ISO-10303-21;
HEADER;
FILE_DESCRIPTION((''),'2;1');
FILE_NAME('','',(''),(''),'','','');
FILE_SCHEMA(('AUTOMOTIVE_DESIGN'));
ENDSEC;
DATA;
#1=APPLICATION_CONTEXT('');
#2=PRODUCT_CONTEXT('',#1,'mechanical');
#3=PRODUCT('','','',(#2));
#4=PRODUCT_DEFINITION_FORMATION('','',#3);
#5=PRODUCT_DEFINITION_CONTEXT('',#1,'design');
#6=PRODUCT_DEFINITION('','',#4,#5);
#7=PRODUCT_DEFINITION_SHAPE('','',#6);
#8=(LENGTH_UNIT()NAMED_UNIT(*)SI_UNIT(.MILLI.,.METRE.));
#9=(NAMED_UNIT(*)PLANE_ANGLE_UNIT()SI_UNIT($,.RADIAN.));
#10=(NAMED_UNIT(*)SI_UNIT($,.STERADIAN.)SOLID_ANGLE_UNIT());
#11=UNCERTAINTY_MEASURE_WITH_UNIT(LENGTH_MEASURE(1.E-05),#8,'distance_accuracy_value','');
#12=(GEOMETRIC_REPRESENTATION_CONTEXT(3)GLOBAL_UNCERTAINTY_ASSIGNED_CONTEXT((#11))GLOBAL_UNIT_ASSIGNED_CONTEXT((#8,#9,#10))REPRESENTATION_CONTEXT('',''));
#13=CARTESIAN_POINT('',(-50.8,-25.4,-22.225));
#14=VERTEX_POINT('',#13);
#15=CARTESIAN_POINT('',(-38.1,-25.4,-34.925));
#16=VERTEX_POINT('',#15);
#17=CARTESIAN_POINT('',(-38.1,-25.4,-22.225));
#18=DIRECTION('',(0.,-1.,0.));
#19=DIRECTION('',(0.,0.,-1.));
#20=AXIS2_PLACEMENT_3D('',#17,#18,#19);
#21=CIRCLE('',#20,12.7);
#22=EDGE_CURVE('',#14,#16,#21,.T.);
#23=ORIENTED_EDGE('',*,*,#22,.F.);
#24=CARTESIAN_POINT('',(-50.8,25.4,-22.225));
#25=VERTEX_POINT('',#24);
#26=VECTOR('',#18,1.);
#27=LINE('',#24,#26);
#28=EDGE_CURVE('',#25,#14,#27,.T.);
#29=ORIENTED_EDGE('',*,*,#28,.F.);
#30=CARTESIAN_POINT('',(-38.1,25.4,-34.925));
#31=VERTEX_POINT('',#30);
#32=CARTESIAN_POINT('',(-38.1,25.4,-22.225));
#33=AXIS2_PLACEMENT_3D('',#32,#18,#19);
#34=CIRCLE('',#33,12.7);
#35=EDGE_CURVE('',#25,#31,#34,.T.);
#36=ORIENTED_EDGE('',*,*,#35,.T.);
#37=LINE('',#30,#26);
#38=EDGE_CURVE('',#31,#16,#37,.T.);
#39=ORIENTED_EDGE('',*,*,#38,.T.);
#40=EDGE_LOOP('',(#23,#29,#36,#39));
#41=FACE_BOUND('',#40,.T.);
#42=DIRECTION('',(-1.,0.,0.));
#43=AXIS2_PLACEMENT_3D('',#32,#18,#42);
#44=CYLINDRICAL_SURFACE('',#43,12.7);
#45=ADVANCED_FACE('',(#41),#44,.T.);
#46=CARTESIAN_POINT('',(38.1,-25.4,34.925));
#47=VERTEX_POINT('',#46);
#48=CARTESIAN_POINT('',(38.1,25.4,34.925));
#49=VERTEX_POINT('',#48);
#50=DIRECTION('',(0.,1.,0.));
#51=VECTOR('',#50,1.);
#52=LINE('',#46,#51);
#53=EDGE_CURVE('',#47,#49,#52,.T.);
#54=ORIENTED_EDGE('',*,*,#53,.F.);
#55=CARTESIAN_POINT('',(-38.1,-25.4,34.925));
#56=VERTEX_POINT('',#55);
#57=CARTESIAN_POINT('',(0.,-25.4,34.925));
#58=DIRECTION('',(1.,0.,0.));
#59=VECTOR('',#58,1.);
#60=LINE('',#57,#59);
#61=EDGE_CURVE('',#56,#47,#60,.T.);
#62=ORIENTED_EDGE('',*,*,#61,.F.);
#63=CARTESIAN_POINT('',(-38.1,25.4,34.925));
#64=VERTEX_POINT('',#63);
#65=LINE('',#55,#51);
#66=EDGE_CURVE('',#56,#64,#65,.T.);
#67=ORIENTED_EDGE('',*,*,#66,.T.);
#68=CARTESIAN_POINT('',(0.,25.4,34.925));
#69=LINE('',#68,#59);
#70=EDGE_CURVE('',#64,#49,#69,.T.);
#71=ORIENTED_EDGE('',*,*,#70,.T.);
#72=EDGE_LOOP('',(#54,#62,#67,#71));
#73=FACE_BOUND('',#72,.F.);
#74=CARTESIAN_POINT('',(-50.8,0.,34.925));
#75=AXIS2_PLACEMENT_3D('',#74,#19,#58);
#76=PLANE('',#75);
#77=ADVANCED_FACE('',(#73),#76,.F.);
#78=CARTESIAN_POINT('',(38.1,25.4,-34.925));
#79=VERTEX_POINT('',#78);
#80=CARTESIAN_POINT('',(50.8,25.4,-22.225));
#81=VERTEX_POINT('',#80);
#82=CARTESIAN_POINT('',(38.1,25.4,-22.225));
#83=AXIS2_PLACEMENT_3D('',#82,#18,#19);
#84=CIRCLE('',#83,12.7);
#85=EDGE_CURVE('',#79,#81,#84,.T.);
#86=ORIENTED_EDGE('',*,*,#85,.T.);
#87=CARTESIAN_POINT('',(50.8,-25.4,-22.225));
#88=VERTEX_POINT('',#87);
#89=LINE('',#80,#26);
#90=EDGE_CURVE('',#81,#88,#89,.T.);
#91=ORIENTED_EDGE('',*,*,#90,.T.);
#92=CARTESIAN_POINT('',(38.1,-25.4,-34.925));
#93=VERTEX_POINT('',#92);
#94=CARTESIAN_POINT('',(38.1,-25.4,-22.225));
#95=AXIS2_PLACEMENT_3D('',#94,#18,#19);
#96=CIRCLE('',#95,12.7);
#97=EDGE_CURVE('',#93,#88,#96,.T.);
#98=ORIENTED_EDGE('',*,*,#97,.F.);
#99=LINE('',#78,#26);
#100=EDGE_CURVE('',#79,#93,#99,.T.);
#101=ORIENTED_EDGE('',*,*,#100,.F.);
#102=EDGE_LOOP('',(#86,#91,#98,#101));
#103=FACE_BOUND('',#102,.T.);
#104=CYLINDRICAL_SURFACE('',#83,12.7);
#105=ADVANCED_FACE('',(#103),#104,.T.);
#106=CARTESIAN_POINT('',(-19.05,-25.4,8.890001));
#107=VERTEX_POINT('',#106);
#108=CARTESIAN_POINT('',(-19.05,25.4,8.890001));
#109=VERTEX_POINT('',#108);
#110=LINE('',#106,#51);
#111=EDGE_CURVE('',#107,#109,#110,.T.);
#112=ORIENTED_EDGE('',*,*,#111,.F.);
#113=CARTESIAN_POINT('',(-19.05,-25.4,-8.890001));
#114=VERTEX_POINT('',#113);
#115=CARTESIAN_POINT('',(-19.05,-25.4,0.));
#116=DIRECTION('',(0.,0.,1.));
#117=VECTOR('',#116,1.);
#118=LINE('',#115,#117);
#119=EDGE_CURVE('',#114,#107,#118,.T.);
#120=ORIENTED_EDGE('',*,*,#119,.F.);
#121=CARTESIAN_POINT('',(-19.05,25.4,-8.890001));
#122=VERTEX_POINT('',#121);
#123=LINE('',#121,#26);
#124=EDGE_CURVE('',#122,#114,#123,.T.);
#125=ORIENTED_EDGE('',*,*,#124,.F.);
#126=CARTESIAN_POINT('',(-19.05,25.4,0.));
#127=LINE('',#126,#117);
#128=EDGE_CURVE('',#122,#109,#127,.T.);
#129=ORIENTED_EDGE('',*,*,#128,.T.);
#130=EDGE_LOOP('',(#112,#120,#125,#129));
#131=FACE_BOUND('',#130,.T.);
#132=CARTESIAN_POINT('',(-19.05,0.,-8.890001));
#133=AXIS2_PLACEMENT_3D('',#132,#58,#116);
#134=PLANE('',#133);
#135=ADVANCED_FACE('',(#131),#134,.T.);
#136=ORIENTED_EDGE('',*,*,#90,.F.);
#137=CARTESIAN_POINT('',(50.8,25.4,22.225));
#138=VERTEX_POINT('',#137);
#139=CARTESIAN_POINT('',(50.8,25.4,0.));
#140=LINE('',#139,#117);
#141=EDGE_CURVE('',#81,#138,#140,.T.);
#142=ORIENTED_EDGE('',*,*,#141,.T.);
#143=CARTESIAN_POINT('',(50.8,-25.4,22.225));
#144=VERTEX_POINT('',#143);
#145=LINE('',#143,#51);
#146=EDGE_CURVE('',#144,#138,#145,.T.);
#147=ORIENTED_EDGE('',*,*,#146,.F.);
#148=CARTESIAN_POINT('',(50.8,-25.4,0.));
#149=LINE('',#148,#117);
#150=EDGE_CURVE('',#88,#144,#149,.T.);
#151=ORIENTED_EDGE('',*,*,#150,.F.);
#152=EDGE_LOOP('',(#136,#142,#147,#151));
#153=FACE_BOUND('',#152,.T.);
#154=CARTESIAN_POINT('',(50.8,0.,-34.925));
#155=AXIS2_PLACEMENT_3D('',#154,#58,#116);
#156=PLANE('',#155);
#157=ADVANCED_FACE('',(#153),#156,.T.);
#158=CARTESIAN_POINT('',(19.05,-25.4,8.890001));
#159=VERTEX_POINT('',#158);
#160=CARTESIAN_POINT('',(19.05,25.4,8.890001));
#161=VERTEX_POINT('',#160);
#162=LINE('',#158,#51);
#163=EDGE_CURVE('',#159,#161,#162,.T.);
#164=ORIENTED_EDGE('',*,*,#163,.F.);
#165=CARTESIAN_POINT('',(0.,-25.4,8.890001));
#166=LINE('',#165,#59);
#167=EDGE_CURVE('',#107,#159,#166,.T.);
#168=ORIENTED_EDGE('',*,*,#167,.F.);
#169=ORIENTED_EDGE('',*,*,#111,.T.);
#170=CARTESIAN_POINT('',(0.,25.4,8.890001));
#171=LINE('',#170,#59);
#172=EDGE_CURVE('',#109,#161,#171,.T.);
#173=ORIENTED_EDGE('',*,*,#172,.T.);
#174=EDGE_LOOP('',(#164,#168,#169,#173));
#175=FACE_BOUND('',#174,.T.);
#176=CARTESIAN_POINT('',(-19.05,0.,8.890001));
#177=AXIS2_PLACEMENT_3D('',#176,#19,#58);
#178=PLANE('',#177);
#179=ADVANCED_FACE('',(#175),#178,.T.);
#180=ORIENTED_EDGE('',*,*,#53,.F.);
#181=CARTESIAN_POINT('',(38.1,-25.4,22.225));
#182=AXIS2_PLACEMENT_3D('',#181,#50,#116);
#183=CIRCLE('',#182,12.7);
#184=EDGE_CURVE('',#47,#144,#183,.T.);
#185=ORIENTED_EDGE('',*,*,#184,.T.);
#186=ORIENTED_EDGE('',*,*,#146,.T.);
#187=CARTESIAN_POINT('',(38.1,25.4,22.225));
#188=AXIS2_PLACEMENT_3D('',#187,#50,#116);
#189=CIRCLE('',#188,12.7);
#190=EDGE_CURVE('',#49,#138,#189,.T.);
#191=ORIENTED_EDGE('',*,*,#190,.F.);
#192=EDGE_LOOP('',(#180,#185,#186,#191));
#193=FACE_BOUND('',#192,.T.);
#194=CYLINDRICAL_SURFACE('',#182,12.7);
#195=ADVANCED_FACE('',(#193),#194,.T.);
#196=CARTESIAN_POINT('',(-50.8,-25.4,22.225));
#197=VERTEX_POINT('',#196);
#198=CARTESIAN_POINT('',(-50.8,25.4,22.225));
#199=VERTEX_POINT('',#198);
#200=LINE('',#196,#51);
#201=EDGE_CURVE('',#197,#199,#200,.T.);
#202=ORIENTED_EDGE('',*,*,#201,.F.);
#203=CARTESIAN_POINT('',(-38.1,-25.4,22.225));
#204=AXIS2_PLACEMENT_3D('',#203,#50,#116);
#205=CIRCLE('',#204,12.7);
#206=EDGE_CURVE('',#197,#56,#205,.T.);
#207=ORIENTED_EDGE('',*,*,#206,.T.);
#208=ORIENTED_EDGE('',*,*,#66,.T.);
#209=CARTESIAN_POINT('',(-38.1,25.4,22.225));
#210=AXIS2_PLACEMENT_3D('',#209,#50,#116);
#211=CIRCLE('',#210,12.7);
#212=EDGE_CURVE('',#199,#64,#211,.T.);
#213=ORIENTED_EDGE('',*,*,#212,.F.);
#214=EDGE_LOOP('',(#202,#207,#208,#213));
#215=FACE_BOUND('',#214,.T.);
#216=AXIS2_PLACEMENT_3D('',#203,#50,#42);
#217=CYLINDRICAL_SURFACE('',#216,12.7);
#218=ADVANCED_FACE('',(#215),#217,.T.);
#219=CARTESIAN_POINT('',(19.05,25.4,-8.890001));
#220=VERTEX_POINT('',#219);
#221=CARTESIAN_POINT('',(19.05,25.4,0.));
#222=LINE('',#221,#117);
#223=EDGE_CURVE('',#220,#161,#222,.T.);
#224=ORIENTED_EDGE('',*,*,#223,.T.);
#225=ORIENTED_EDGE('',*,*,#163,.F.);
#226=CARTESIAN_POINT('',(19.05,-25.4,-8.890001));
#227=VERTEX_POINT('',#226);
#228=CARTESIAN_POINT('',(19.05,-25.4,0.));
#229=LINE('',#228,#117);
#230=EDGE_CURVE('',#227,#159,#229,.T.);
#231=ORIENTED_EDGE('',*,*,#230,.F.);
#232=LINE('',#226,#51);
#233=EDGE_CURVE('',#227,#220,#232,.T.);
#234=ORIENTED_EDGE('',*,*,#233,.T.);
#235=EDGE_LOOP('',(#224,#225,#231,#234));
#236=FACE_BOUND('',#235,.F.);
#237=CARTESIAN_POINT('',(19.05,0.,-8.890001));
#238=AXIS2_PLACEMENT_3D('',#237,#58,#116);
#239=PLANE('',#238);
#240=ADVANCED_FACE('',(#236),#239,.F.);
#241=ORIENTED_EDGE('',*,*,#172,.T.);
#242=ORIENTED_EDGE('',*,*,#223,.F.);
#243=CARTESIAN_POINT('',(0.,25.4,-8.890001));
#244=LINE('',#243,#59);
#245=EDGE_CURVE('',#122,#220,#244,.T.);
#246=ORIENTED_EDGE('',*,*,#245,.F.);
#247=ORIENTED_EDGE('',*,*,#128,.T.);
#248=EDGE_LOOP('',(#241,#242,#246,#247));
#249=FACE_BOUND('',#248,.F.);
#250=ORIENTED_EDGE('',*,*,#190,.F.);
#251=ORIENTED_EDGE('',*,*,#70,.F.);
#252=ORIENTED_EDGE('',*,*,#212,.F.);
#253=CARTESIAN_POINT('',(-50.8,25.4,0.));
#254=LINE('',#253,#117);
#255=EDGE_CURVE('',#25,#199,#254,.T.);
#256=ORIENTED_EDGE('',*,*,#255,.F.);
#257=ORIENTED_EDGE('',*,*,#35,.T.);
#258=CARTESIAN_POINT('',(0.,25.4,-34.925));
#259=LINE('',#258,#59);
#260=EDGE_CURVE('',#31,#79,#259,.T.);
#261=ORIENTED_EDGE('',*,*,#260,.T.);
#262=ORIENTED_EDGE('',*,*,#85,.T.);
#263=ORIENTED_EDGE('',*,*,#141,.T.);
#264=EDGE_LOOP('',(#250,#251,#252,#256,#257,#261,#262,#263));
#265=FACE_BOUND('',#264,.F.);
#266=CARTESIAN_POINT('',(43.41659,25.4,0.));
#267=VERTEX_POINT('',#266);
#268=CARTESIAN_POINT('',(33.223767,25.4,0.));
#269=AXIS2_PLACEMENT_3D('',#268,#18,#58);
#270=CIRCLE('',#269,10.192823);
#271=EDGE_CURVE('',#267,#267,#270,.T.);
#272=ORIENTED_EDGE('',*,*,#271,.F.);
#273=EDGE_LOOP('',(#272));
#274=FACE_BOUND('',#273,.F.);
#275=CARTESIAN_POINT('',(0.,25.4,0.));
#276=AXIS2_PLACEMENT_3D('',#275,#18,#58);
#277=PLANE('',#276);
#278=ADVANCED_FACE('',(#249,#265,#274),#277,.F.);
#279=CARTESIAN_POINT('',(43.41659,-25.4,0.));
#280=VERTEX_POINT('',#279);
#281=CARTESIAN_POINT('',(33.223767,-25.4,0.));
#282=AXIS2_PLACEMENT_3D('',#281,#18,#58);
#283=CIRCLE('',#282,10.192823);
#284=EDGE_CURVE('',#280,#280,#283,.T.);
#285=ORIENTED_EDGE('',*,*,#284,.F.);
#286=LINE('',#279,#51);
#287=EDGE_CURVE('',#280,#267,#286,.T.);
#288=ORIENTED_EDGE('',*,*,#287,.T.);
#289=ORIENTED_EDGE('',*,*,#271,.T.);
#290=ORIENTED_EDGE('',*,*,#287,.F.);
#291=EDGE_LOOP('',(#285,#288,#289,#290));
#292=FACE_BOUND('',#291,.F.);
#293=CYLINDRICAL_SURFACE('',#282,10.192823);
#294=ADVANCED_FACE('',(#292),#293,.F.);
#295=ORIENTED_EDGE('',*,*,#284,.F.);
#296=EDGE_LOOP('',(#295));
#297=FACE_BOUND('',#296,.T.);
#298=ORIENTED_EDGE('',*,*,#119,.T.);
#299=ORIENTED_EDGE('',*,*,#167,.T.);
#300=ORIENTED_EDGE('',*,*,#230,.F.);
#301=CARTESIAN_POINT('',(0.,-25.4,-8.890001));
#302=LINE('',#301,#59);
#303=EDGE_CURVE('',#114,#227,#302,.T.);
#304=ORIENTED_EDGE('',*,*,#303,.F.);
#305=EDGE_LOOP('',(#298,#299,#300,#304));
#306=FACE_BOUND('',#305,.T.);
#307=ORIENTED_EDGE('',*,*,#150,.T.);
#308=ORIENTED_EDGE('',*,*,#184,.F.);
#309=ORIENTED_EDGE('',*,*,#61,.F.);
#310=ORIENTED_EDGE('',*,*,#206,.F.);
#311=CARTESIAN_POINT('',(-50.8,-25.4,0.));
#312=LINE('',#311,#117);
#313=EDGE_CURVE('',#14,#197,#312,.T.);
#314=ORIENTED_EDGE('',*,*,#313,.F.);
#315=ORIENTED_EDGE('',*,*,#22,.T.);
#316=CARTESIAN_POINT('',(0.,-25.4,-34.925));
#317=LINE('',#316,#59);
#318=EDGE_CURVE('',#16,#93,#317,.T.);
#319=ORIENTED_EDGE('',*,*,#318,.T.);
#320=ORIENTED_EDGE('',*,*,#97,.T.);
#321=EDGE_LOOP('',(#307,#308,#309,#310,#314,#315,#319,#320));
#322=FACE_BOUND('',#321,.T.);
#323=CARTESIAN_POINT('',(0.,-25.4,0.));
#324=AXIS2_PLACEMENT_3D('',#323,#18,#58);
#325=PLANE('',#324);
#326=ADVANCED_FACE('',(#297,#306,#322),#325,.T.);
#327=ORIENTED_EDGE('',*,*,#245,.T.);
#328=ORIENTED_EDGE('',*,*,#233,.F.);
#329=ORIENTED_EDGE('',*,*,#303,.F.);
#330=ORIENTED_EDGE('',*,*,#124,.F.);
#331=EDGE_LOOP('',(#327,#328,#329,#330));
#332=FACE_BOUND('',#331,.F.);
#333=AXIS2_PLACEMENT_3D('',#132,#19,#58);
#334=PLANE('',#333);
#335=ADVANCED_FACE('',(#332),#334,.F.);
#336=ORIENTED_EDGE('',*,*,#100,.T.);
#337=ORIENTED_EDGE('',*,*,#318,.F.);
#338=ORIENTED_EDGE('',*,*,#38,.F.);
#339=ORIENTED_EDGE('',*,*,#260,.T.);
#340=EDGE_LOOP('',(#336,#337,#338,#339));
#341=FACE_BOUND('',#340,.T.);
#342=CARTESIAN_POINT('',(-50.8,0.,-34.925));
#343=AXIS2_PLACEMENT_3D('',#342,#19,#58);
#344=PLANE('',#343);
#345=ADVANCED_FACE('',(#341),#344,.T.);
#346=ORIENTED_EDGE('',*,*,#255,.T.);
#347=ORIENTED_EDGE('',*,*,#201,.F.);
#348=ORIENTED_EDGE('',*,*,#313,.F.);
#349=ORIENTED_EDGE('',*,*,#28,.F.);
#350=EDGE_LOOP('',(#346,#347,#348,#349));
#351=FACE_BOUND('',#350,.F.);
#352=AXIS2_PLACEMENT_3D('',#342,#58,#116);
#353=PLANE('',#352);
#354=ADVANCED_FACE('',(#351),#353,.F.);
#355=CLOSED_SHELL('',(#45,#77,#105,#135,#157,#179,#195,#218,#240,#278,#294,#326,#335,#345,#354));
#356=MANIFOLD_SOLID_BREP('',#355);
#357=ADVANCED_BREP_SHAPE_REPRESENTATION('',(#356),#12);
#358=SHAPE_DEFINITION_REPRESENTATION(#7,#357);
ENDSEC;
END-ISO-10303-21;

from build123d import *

# Parameters (mm, degrees)
F0_W     = 101.6
F0_H     = 69.85
F0_W_2   = 38.1
F0_H_2   = 17.780002
F1_DEPTH = 25.4
F2_R     = 10.192823
F3_DEPTH = 50.801
F4_R     = 12.7


with BuildPart() as f1:
    # F0 (on Front) → F1 (new body, symmetric)
    with BuildSketch(Plane.XZ):
        Rectangle(F0_W, F0_H)
        Rectangle(F0_W_2, F0_H_2, mode=Mode.SUBTRACT)
    extrude(amount=F1_DEPTH, both=True)

    # F2 (on face) → F3 (cut, through all)
    with BuildSketch(Plane.XZ.offset(25.4)):
        with Locations((33.223767, 0)):
            Circle(F2_R)
    extrude(amount=-F3_DEPTH, mode=Mode.SUBTRACT)

    # F4
    f4_edges = [f1.edges().sort_by_distance(p)[0] for p in [
        (-50.8, 0, 34.925),
        (50.8, 0, 34.925),
        (50.8, 0, -34.925),
        (-50.8, 0, -34.925),
    ]]
    fillet(f4_edges, radius=F4_R)


solid = f1.part
